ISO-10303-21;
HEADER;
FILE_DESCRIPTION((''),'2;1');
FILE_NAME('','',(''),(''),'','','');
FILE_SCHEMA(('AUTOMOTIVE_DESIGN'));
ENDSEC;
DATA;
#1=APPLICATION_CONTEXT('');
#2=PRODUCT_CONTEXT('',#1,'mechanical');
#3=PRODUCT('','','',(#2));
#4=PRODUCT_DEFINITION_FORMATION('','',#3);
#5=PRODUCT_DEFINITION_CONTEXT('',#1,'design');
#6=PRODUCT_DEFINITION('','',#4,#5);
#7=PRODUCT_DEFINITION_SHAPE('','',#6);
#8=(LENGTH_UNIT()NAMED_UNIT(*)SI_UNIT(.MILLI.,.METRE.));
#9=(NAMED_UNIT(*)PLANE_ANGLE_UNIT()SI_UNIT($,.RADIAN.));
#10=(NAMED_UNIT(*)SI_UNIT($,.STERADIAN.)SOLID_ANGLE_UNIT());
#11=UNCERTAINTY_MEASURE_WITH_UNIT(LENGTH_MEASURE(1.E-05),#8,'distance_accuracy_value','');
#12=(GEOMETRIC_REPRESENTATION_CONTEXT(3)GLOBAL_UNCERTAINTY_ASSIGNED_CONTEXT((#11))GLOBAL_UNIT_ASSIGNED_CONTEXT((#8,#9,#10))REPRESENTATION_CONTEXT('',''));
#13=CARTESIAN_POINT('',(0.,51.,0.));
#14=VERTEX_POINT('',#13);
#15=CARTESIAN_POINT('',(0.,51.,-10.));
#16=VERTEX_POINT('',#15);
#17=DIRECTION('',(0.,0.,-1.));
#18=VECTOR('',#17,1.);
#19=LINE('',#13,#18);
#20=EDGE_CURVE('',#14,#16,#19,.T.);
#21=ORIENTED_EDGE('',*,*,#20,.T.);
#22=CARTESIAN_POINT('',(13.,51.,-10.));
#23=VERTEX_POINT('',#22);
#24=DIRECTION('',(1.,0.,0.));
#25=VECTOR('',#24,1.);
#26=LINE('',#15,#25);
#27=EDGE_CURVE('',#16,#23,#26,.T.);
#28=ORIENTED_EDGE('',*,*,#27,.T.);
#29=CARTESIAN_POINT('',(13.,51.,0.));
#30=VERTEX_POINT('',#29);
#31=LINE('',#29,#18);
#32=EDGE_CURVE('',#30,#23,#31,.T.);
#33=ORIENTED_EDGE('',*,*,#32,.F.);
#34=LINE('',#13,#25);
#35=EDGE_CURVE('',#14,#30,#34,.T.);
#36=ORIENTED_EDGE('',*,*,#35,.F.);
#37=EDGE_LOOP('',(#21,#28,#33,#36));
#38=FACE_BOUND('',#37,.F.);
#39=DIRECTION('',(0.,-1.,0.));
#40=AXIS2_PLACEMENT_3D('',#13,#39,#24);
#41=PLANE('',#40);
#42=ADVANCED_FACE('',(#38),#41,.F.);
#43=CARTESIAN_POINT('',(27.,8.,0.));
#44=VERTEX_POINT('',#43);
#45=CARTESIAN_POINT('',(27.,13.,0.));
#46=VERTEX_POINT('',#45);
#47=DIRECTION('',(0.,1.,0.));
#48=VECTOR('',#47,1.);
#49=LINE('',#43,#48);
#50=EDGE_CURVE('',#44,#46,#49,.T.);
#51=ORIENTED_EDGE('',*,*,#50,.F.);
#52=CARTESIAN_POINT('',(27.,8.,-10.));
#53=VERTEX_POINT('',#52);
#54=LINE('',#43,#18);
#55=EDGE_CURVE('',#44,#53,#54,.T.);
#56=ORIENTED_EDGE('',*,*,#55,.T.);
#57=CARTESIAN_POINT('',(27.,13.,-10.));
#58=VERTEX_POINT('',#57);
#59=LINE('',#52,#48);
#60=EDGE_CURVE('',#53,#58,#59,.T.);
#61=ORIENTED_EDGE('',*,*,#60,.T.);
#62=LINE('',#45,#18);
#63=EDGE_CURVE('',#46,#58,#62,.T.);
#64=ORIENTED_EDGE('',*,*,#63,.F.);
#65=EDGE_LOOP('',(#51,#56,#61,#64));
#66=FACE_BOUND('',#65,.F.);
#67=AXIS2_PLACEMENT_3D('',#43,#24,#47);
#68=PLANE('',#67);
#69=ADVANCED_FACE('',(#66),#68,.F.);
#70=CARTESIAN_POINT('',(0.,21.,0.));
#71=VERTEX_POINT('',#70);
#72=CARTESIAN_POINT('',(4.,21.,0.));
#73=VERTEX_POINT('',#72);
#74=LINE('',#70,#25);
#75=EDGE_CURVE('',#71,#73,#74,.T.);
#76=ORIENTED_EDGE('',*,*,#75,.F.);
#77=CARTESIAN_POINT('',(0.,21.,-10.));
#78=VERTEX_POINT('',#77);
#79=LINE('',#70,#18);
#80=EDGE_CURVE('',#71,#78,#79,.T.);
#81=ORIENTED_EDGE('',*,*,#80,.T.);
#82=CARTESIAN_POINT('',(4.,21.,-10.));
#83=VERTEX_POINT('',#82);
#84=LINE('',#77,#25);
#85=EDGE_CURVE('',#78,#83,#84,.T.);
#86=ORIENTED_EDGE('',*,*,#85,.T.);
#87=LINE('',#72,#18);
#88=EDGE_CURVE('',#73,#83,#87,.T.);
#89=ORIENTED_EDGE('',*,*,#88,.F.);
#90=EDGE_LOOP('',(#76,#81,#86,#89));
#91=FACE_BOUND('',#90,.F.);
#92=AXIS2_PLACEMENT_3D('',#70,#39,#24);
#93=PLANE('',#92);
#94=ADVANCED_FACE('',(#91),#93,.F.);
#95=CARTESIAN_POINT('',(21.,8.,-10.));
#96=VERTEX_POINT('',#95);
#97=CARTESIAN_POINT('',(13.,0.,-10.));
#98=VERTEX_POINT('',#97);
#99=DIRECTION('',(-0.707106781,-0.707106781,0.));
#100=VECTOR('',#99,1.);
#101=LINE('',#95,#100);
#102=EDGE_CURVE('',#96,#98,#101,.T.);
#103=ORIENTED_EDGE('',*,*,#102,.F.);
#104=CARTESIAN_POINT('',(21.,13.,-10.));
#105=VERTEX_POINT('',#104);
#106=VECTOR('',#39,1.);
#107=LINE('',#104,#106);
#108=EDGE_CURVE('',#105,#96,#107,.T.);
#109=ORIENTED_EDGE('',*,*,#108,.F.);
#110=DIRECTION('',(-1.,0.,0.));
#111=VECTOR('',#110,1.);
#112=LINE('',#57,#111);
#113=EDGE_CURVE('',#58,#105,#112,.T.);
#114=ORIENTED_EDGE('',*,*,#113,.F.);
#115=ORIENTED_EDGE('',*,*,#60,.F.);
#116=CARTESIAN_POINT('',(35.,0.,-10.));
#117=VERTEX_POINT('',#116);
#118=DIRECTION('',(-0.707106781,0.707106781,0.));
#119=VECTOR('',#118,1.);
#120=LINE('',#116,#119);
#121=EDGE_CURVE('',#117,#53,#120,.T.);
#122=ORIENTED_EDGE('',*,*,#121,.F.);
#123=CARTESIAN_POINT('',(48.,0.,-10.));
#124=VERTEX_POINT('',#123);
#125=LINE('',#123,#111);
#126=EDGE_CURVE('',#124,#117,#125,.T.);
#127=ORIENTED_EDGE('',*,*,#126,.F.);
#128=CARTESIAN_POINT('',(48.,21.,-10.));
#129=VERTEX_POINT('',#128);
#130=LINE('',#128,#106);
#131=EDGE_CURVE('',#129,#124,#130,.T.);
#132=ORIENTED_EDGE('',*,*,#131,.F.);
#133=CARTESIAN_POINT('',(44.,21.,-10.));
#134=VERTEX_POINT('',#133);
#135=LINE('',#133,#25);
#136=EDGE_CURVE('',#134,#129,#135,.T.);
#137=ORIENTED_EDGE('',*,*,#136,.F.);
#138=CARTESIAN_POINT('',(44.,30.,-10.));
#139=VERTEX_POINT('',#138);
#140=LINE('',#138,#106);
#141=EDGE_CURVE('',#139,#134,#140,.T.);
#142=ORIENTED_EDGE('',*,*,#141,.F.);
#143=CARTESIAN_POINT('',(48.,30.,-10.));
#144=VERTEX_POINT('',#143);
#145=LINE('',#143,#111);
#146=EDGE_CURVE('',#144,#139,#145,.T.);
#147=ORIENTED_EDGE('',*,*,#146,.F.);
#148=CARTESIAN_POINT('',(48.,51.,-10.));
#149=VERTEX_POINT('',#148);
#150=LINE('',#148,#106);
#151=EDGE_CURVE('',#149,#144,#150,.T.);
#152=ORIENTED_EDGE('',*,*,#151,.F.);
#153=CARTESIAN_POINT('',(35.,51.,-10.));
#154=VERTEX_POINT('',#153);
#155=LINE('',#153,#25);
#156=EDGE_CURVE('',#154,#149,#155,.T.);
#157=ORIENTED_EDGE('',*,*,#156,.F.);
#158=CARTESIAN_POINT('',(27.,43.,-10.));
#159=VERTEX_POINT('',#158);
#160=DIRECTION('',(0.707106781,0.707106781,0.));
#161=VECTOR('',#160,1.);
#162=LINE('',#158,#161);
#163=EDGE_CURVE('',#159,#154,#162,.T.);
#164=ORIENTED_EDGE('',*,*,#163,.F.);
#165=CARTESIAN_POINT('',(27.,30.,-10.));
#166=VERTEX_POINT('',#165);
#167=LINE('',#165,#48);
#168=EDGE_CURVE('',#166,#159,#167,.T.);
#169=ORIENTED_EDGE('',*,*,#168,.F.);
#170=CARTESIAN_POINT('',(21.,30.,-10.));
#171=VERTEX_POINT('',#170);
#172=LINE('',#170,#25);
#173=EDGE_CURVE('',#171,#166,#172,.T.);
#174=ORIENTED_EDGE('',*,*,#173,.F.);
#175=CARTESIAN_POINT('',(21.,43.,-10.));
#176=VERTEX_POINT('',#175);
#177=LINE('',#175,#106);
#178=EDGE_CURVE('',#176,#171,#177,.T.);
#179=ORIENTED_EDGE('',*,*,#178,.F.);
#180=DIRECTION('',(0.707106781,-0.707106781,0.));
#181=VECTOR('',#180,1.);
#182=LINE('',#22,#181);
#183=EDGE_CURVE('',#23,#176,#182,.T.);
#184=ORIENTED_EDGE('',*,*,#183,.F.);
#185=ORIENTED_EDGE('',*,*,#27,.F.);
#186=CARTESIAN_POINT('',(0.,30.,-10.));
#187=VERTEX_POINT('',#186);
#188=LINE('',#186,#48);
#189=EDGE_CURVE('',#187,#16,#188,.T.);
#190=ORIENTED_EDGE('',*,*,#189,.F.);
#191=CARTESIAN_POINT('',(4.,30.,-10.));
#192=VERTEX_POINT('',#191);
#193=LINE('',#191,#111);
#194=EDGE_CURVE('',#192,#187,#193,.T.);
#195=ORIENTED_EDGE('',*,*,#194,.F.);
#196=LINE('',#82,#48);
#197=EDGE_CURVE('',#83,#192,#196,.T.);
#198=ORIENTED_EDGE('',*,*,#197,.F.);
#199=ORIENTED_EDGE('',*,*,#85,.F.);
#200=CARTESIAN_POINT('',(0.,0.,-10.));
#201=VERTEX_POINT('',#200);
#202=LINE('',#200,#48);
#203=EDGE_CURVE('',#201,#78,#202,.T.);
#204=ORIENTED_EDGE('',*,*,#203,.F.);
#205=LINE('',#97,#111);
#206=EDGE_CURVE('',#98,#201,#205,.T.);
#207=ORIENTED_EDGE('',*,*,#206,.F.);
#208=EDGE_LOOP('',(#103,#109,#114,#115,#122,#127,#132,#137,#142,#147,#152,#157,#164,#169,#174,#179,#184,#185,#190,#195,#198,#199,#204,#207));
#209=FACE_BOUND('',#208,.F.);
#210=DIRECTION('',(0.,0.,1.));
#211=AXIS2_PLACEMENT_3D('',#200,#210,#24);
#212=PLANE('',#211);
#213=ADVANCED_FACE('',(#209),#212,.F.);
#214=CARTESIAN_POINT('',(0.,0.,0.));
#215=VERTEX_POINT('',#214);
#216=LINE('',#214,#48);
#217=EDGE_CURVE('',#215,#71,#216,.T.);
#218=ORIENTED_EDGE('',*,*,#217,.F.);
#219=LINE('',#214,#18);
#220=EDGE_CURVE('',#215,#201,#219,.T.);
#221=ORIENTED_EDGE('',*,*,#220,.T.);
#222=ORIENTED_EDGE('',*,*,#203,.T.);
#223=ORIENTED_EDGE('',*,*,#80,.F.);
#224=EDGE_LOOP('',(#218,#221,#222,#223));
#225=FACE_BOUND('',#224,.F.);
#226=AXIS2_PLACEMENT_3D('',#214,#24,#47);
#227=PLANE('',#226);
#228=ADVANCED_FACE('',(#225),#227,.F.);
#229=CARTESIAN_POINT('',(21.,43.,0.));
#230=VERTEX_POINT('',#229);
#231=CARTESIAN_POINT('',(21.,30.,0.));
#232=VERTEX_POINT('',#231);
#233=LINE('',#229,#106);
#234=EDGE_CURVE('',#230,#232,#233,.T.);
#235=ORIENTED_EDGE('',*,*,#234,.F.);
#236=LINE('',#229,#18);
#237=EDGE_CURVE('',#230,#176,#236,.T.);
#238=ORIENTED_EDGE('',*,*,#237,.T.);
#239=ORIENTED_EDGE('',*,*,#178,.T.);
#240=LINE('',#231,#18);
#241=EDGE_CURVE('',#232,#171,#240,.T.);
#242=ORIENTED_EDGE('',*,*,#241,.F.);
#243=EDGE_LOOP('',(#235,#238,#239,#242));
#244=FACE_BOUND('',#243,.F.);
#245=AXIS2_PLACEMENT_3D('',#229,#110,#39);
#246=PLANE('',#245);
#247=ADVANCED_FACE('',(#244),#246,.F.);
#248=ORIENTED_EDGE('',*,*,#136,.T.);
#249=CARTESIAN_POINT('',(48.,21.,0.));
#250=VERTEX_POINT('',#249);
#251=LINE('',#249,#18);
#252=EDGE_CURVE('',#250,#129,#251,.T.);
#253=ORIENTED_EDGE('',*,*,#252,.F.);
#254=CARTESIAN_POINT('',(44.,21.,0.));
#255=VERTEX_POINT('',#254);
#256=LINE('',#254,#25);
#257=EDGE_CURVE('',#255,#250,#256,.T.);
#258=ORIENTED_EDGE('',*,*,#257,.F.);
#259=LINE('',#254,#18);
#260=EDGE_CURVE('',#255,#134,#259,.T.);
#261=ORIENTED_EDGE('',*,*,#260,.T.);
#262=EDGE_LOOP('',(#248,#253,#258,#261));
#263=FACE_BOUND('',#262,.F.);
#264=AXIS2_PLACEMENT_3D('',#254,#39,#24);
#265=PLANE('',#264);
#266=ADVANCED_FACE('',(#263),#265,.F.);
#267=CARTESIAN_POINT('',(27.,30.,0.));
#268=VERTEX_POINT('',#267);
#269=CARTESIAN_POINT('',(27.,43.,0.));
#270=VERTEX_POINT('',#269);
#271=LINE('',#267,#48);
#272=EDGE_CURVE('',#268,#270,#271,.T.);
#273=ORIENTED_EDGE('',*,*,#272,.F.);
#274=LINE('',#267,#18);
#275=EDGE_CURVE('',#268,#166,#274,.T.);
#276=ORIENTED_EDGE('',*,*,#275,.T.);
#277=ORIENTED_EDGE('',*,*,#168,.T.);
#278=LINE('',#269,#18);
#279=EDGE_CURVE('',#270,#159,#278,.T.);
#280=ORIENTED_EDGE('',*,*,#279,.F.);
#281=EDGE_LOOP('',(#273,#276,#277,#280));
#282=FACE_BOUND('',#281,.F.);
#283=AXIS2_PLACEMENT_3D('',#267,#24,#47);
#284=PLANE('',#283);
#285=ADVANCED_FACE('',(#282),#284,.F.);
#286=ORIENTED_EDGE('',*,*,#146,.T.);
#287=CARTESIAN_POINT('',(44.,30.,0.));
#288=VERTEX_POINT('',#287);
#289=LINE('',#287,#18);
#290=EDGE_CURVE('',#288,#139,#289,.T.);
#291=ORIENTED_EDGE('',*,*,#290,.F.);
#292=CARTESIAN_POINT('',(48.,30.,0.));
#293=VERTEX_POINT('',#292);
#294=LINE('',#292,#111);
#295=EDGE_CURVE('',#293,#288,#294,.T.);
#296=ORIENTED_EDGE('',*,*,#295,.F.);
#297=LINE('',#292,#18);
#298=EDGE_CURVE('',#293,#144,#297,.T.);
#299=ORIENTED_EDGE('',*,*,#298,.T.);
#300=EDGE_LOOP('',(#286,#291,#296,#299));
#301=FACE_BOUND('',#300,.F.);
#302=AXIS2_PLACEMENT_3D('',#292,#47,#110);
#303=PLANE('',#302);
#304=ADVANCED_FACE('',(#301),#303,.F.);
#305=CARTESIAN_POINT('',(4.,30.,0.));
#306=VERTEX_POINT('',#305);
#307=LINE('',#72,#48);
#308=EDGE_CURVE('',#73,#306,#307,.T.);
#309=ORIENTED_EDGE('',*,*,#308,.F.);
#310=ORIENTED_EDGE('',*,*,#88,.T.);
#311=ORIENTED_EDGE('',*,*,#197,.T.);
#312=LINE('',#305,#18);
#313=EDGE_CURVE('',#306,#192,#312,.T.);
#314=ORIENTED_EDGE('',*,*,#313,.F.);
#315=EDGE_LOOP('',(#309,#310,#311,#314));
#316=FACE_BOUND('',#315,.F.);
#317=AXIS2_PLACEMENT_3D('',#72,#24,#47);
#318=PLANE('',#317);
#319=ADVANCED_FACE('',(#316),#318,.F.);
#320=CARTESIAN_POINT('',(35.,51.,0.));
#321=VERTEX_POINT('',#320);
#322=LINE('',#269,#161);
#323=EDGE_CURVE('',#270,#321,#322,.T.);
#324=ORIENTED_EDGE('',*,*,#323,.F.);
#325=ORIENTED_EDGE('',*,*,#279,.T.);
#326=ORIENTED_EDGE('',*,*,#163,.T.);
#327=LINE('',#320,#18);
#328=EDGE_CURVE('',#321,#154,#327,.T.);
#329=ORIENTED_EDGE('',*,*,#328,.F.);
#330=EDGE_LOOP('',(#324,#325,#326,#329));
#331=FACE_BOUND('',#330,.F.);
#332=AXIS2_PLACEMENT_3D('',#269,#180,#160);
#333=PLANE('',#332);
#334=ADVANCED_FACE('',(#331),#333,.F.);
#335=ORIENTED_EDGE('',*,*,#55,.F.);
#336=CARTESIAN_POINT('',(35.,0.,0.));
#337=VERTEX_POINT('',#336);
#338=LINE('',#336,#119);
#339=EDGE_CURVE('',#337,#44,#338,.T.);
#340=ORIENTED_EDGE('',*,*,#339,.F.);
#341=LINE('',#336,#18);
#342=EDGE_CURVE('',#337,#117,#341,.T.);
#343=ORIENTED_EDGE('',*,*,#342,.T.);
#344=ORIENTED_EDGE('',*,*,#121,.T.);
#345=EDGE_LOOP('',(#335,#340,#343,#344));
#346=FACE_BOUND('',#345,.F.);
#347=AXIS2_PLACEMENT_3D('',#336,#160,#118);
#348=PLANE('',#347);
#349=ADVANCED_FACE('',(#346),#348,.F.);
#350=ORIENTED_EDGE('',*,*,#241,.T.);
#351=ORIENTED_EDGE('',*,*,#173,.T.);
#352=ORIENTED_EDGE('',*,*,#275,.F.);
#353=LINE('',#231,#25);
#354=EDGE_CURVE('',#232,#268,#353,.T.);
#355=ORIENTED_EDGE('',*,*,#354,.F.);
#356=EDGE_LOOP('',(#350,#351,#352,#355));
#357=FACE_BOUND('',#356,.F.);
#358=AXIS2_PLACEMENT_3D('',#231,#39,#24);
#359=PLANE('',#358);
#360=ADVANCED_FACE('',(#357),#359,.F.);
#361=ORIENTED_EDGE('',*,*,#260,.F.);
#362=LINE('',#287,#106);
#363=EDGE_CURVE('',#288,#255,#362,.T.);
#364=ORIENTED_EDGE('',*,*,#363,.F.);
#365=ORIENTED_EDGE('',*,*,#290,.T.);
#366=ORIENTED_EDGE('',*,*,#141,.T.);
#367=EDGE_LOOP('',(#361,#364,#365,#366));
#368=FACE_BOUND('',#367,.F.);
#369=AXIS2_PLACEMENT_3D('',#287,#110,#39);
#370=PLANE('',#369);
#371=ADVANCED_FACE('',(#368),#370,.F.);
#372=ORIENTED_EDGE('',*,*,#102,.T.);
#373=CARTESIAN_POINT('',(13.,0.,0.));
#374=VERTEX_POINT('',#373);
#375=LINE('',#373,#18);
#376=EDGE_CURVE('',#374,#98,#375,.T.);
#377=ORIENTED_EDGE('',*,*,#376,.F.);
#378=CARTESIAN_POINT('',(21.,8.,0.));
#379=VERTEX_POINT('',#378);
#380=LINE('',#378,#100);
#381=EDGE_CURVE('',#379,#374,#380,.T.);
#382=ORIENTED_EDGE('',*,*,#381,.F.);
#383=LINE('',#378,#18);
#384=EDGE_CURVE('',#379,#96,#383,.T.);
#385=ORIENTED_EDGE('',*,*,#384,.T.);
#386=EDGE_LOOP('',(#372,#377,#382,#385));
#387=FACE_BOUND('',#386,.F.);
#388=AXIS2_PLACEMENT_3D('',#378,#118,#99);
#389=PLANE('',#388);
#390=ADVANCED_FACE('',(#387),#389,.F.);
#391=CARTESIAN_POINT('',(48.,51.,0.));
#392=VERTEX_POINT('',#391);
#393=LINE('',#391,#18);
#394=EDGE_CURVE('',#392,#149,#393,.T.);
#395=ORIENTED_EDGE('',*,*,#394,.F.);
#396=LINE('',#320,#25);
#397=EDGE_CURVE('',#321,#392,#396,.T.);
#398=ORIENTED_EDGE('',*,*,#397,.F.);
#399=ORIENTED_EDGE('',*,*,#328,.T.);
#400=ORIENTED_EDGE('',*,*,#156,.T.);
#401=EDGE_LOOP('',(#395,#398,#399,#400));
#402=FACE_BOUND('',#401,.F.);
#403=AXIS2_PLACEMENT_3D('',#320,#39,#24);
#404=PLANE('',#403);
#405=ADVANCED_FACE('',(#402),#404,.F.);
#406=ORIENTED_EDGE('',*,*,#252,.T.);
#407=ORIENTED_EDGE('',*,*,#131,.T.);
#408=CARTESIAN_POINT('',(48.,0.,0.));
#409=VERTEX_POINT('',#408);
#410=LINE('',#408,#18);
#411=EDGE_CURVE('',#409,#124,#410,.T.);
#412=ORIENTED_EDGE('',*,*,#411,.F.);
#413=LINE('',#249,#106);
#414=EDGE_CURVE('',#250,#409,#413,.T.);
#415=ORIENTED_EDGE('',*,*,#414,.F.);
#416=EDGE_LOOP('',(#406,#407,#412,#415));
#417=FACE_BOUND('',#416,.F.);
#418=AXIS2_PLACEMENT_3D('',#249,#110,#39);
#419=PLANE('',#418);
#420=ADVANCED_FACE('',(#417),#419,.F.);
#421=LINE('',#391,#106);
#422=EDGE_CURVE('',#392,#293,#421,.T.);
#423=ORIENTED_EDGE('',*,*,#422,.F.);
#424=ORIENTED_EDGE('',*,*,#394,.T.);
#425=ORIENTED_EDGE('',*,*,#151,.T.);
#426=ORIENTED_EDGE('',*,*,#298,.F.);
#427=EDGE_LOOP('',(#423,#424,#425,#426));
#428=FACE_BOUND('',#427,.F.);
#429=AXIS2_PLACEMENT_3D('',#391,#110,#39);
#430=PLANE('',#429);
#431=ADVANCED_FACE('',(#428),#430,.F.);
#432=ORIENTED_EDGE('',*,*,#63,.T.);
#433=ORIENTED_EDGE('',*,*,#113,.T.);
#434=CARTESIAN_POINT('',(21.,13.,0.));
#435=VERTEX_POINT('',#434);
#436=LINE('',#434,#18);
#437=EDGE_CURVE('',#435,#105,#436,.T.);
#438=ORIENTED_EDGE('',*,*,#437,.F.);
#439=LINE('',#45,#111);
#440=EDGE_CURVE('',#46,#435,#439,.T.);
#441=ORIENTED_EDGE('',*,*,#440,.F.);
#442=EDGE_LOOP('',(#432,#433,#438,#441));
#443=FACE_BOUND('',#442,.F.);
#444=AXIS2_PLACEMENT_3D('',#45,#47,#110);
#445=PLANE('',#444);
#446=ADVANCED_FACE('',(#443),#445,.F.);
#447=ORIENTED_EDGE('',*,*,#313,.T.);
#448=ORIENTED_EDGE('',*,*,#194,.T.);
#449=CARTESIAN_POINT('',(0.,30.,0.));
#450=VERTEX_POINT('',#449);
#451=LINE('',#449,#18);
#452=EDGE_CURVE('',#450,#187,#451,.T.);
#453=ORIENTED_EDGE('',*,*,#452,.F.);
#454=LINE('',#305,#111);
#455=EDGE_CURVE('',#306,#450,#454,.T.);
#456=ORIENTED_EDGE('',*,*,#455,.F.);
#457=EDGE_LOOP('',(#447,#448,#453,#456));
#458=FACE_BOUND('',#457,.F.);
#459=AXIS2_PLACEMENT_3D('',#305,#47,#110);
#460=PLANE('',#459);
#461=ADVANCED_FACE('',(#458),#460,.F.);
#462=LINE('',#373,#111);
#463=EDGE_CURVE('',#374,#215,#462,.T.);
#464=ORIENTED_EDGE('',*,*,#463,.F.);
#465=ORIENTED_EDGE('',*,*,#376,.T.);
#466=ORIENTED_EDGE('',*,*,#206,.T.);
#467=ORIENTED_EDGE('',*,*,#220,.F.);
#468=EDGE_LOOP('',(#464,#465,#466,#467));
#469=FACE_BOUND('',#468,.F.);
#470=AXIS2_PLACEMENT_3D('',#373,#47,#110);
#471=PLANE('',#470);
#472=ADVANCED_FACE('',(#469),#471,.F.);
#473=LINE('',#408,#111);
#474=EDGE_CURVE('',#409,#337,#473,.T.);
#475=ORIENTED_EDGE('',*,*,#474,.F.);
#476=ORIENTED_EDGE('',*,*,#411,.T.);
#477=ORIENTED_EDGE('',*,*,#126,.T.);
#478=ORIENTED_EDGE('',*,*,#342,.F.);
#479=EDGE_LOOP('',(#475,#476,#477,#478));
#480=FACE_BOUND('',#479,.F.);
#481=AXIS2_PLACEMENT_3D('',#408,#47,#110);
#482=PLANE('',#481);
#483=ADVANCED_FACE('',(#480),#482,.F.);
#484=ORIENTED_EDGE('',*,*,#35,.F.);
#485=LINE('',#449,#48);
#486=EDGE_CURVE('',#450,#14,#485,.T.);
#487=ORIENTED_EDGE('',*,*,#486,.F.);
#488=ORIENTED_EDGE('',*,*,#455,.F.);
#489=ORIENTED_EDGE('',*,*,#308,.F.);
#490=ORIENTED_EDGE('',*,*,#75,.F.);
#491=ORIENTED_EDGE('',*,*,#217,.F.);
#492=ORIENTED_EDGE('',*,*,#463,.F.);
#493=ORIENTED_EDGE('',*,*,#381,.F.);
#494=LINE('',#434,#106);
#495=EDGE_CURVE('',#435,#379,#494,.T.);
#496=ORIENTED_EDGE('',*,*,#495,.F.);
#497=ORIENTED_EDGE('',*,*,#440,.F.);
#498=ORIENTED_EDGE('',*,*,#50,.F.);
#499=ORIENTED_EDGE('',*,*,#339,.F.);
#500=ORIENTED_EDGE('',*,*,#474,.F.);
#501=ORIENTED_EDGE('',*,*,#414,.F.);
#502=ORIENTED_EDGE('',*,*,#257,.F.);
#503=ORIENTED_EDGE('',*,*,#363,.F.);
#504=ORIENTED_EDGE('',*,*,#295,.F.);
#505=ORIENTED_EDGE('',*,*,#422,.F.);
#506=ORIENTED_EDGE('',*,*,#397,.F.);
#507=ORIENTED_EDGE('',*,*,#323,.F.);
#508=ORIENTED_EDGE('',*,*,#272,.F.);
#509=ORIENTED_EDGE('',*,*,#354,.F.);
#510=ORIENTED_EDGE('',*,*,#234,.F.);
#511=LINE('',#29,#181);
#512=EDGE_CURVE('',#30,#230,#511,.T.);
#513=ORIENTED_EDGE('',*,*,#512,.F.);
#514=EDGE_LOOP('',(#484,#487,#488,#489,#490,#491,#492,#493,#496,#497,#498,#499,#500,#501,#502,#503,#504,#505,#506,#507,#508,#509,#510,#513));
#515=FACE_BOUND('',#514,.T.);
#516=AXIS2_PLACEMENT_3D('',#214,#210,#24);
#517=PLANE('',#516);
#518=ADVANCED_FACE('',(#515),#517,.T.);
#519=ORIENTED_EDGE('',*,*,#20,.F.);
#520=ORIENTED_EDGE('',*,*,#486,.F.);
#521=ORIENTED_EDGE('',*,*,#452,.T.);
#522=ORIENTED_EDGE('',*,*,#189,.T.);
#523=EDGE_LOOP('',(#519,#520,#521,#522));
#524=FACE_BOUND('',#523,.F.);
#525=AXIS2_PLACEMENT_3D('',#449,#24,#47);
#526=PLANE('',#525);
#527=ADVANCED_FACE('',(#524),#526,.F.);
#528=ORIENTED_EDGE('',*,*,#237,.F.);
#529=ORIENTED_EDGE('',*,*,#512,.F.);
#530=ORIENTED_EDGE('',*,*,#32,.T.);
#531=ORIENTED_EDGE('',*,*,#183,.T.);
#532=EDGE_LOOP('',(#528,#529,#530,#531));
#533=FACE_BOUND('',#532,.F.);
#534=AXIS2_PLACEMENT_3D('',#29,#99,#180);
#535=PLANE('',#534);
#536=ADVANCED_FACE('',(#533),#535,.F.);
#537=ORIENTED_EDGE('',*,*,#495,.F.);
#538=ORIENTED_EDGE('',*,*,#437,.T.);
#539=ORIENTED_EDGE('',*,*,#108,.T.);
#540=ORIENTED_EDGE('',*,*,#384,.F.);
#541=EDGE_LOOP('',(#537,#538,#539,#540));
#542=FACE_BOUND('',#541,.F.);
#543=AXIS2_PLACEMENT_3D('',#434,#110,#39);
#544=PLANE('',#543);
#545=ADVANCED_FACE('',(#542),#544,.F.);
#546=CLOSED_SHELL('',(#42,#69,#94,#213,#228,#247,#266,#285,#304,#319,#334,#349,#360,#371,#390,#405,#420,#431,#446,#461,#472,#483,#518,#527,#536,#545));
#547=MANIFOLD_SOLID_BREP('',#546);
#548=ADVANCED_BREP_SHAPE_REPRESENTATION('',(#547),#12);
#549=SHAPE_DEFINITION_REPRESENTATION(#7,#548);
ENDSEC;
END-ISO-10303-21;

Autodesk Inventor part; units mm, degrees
ref_plane "YZ Plane" through (0, 0, 0) normal (1, 0, 0) x (0, 1, 0)
ref_plane "XZ Plane" through (0, 0, 0) normal (0, 1, 0) x (-1, 0, 0)
ref_plane "XY Plane" through (0, 0, 0) normal (0, 0, 1) x (1, 0, 0)
sketch "Skizze1" plane through (0, 0, 0) normal (0, 0, 1) x (1, 0, 0)
  line L0 (13, 0) -> (0, 0)
  line L1 (0, 0) -> (0, 21)
  line L2 (0, 21) -> (4, 21)
  line L3 (4, 21) -> (4, 30)
  line L4 (4, 30) -> (0, 30)
  line L5 (0, 30) -> (0, 51)
  line L6 (0, 51) -> (13, 51)
  line L7 (13, 51) -> (21, 43)
  line L8 (21, 43) -> (21, 30)
  line L9 (21, 30) -> (27, 30)
  line L10 (27, 30) -> (27, 43)
  line L11 (27, 43) -> (35, 51)
  line L12 (35, 51) -> (48, 51)
  line L13 (48, 51) -> (48, 30)
  line L14 (48, 30) -> (44, 30)
  line L15 (44, 30) -> (44, 21)
  line L16 (44, 21) -> (48, 21)
  line L17 (48, 21) -> (48, 0)
  line L18 (48, 0) -> (35, 0)
  line L19 (35, 0) -> (27, 8)
  line L20 (27, 8) -> (27, 13)
  line L21 (27, 13) -> (21, 13)
  line L22 (21, 13) -> (21, 8)
  line L23 (21, 8) -> (13, 0)
  point P0 (48, 40.5)
  point P1 (41.5, 51)
  dimension "d0" = 21
  dimension "d1" = 9
  dimension "d2" = 21
  dimension "d3" = 21
  dimension "d4" = 21
  dimension "d5" = 4
  dimension "d6" = 4
  dimension "d7" = 13
  dimension "d8" = 22
  dimension "d9" = 13
  dimension "d10" = 21
  dimension "d11" = 135
  dimension "d12" = 135
  dimension "d13" = 45
  dimension "d14" = 45
extrude "Extrusion1" add sketch "Skizze1" against normal blind 10
equation "\"d2\" = d0"
equation "\"d4\" = d3"
equation "\"d6\" = d5"
equation "\"d10\" = d0"
equation "\"d14\" = d13"
properties part number "Vblock"
